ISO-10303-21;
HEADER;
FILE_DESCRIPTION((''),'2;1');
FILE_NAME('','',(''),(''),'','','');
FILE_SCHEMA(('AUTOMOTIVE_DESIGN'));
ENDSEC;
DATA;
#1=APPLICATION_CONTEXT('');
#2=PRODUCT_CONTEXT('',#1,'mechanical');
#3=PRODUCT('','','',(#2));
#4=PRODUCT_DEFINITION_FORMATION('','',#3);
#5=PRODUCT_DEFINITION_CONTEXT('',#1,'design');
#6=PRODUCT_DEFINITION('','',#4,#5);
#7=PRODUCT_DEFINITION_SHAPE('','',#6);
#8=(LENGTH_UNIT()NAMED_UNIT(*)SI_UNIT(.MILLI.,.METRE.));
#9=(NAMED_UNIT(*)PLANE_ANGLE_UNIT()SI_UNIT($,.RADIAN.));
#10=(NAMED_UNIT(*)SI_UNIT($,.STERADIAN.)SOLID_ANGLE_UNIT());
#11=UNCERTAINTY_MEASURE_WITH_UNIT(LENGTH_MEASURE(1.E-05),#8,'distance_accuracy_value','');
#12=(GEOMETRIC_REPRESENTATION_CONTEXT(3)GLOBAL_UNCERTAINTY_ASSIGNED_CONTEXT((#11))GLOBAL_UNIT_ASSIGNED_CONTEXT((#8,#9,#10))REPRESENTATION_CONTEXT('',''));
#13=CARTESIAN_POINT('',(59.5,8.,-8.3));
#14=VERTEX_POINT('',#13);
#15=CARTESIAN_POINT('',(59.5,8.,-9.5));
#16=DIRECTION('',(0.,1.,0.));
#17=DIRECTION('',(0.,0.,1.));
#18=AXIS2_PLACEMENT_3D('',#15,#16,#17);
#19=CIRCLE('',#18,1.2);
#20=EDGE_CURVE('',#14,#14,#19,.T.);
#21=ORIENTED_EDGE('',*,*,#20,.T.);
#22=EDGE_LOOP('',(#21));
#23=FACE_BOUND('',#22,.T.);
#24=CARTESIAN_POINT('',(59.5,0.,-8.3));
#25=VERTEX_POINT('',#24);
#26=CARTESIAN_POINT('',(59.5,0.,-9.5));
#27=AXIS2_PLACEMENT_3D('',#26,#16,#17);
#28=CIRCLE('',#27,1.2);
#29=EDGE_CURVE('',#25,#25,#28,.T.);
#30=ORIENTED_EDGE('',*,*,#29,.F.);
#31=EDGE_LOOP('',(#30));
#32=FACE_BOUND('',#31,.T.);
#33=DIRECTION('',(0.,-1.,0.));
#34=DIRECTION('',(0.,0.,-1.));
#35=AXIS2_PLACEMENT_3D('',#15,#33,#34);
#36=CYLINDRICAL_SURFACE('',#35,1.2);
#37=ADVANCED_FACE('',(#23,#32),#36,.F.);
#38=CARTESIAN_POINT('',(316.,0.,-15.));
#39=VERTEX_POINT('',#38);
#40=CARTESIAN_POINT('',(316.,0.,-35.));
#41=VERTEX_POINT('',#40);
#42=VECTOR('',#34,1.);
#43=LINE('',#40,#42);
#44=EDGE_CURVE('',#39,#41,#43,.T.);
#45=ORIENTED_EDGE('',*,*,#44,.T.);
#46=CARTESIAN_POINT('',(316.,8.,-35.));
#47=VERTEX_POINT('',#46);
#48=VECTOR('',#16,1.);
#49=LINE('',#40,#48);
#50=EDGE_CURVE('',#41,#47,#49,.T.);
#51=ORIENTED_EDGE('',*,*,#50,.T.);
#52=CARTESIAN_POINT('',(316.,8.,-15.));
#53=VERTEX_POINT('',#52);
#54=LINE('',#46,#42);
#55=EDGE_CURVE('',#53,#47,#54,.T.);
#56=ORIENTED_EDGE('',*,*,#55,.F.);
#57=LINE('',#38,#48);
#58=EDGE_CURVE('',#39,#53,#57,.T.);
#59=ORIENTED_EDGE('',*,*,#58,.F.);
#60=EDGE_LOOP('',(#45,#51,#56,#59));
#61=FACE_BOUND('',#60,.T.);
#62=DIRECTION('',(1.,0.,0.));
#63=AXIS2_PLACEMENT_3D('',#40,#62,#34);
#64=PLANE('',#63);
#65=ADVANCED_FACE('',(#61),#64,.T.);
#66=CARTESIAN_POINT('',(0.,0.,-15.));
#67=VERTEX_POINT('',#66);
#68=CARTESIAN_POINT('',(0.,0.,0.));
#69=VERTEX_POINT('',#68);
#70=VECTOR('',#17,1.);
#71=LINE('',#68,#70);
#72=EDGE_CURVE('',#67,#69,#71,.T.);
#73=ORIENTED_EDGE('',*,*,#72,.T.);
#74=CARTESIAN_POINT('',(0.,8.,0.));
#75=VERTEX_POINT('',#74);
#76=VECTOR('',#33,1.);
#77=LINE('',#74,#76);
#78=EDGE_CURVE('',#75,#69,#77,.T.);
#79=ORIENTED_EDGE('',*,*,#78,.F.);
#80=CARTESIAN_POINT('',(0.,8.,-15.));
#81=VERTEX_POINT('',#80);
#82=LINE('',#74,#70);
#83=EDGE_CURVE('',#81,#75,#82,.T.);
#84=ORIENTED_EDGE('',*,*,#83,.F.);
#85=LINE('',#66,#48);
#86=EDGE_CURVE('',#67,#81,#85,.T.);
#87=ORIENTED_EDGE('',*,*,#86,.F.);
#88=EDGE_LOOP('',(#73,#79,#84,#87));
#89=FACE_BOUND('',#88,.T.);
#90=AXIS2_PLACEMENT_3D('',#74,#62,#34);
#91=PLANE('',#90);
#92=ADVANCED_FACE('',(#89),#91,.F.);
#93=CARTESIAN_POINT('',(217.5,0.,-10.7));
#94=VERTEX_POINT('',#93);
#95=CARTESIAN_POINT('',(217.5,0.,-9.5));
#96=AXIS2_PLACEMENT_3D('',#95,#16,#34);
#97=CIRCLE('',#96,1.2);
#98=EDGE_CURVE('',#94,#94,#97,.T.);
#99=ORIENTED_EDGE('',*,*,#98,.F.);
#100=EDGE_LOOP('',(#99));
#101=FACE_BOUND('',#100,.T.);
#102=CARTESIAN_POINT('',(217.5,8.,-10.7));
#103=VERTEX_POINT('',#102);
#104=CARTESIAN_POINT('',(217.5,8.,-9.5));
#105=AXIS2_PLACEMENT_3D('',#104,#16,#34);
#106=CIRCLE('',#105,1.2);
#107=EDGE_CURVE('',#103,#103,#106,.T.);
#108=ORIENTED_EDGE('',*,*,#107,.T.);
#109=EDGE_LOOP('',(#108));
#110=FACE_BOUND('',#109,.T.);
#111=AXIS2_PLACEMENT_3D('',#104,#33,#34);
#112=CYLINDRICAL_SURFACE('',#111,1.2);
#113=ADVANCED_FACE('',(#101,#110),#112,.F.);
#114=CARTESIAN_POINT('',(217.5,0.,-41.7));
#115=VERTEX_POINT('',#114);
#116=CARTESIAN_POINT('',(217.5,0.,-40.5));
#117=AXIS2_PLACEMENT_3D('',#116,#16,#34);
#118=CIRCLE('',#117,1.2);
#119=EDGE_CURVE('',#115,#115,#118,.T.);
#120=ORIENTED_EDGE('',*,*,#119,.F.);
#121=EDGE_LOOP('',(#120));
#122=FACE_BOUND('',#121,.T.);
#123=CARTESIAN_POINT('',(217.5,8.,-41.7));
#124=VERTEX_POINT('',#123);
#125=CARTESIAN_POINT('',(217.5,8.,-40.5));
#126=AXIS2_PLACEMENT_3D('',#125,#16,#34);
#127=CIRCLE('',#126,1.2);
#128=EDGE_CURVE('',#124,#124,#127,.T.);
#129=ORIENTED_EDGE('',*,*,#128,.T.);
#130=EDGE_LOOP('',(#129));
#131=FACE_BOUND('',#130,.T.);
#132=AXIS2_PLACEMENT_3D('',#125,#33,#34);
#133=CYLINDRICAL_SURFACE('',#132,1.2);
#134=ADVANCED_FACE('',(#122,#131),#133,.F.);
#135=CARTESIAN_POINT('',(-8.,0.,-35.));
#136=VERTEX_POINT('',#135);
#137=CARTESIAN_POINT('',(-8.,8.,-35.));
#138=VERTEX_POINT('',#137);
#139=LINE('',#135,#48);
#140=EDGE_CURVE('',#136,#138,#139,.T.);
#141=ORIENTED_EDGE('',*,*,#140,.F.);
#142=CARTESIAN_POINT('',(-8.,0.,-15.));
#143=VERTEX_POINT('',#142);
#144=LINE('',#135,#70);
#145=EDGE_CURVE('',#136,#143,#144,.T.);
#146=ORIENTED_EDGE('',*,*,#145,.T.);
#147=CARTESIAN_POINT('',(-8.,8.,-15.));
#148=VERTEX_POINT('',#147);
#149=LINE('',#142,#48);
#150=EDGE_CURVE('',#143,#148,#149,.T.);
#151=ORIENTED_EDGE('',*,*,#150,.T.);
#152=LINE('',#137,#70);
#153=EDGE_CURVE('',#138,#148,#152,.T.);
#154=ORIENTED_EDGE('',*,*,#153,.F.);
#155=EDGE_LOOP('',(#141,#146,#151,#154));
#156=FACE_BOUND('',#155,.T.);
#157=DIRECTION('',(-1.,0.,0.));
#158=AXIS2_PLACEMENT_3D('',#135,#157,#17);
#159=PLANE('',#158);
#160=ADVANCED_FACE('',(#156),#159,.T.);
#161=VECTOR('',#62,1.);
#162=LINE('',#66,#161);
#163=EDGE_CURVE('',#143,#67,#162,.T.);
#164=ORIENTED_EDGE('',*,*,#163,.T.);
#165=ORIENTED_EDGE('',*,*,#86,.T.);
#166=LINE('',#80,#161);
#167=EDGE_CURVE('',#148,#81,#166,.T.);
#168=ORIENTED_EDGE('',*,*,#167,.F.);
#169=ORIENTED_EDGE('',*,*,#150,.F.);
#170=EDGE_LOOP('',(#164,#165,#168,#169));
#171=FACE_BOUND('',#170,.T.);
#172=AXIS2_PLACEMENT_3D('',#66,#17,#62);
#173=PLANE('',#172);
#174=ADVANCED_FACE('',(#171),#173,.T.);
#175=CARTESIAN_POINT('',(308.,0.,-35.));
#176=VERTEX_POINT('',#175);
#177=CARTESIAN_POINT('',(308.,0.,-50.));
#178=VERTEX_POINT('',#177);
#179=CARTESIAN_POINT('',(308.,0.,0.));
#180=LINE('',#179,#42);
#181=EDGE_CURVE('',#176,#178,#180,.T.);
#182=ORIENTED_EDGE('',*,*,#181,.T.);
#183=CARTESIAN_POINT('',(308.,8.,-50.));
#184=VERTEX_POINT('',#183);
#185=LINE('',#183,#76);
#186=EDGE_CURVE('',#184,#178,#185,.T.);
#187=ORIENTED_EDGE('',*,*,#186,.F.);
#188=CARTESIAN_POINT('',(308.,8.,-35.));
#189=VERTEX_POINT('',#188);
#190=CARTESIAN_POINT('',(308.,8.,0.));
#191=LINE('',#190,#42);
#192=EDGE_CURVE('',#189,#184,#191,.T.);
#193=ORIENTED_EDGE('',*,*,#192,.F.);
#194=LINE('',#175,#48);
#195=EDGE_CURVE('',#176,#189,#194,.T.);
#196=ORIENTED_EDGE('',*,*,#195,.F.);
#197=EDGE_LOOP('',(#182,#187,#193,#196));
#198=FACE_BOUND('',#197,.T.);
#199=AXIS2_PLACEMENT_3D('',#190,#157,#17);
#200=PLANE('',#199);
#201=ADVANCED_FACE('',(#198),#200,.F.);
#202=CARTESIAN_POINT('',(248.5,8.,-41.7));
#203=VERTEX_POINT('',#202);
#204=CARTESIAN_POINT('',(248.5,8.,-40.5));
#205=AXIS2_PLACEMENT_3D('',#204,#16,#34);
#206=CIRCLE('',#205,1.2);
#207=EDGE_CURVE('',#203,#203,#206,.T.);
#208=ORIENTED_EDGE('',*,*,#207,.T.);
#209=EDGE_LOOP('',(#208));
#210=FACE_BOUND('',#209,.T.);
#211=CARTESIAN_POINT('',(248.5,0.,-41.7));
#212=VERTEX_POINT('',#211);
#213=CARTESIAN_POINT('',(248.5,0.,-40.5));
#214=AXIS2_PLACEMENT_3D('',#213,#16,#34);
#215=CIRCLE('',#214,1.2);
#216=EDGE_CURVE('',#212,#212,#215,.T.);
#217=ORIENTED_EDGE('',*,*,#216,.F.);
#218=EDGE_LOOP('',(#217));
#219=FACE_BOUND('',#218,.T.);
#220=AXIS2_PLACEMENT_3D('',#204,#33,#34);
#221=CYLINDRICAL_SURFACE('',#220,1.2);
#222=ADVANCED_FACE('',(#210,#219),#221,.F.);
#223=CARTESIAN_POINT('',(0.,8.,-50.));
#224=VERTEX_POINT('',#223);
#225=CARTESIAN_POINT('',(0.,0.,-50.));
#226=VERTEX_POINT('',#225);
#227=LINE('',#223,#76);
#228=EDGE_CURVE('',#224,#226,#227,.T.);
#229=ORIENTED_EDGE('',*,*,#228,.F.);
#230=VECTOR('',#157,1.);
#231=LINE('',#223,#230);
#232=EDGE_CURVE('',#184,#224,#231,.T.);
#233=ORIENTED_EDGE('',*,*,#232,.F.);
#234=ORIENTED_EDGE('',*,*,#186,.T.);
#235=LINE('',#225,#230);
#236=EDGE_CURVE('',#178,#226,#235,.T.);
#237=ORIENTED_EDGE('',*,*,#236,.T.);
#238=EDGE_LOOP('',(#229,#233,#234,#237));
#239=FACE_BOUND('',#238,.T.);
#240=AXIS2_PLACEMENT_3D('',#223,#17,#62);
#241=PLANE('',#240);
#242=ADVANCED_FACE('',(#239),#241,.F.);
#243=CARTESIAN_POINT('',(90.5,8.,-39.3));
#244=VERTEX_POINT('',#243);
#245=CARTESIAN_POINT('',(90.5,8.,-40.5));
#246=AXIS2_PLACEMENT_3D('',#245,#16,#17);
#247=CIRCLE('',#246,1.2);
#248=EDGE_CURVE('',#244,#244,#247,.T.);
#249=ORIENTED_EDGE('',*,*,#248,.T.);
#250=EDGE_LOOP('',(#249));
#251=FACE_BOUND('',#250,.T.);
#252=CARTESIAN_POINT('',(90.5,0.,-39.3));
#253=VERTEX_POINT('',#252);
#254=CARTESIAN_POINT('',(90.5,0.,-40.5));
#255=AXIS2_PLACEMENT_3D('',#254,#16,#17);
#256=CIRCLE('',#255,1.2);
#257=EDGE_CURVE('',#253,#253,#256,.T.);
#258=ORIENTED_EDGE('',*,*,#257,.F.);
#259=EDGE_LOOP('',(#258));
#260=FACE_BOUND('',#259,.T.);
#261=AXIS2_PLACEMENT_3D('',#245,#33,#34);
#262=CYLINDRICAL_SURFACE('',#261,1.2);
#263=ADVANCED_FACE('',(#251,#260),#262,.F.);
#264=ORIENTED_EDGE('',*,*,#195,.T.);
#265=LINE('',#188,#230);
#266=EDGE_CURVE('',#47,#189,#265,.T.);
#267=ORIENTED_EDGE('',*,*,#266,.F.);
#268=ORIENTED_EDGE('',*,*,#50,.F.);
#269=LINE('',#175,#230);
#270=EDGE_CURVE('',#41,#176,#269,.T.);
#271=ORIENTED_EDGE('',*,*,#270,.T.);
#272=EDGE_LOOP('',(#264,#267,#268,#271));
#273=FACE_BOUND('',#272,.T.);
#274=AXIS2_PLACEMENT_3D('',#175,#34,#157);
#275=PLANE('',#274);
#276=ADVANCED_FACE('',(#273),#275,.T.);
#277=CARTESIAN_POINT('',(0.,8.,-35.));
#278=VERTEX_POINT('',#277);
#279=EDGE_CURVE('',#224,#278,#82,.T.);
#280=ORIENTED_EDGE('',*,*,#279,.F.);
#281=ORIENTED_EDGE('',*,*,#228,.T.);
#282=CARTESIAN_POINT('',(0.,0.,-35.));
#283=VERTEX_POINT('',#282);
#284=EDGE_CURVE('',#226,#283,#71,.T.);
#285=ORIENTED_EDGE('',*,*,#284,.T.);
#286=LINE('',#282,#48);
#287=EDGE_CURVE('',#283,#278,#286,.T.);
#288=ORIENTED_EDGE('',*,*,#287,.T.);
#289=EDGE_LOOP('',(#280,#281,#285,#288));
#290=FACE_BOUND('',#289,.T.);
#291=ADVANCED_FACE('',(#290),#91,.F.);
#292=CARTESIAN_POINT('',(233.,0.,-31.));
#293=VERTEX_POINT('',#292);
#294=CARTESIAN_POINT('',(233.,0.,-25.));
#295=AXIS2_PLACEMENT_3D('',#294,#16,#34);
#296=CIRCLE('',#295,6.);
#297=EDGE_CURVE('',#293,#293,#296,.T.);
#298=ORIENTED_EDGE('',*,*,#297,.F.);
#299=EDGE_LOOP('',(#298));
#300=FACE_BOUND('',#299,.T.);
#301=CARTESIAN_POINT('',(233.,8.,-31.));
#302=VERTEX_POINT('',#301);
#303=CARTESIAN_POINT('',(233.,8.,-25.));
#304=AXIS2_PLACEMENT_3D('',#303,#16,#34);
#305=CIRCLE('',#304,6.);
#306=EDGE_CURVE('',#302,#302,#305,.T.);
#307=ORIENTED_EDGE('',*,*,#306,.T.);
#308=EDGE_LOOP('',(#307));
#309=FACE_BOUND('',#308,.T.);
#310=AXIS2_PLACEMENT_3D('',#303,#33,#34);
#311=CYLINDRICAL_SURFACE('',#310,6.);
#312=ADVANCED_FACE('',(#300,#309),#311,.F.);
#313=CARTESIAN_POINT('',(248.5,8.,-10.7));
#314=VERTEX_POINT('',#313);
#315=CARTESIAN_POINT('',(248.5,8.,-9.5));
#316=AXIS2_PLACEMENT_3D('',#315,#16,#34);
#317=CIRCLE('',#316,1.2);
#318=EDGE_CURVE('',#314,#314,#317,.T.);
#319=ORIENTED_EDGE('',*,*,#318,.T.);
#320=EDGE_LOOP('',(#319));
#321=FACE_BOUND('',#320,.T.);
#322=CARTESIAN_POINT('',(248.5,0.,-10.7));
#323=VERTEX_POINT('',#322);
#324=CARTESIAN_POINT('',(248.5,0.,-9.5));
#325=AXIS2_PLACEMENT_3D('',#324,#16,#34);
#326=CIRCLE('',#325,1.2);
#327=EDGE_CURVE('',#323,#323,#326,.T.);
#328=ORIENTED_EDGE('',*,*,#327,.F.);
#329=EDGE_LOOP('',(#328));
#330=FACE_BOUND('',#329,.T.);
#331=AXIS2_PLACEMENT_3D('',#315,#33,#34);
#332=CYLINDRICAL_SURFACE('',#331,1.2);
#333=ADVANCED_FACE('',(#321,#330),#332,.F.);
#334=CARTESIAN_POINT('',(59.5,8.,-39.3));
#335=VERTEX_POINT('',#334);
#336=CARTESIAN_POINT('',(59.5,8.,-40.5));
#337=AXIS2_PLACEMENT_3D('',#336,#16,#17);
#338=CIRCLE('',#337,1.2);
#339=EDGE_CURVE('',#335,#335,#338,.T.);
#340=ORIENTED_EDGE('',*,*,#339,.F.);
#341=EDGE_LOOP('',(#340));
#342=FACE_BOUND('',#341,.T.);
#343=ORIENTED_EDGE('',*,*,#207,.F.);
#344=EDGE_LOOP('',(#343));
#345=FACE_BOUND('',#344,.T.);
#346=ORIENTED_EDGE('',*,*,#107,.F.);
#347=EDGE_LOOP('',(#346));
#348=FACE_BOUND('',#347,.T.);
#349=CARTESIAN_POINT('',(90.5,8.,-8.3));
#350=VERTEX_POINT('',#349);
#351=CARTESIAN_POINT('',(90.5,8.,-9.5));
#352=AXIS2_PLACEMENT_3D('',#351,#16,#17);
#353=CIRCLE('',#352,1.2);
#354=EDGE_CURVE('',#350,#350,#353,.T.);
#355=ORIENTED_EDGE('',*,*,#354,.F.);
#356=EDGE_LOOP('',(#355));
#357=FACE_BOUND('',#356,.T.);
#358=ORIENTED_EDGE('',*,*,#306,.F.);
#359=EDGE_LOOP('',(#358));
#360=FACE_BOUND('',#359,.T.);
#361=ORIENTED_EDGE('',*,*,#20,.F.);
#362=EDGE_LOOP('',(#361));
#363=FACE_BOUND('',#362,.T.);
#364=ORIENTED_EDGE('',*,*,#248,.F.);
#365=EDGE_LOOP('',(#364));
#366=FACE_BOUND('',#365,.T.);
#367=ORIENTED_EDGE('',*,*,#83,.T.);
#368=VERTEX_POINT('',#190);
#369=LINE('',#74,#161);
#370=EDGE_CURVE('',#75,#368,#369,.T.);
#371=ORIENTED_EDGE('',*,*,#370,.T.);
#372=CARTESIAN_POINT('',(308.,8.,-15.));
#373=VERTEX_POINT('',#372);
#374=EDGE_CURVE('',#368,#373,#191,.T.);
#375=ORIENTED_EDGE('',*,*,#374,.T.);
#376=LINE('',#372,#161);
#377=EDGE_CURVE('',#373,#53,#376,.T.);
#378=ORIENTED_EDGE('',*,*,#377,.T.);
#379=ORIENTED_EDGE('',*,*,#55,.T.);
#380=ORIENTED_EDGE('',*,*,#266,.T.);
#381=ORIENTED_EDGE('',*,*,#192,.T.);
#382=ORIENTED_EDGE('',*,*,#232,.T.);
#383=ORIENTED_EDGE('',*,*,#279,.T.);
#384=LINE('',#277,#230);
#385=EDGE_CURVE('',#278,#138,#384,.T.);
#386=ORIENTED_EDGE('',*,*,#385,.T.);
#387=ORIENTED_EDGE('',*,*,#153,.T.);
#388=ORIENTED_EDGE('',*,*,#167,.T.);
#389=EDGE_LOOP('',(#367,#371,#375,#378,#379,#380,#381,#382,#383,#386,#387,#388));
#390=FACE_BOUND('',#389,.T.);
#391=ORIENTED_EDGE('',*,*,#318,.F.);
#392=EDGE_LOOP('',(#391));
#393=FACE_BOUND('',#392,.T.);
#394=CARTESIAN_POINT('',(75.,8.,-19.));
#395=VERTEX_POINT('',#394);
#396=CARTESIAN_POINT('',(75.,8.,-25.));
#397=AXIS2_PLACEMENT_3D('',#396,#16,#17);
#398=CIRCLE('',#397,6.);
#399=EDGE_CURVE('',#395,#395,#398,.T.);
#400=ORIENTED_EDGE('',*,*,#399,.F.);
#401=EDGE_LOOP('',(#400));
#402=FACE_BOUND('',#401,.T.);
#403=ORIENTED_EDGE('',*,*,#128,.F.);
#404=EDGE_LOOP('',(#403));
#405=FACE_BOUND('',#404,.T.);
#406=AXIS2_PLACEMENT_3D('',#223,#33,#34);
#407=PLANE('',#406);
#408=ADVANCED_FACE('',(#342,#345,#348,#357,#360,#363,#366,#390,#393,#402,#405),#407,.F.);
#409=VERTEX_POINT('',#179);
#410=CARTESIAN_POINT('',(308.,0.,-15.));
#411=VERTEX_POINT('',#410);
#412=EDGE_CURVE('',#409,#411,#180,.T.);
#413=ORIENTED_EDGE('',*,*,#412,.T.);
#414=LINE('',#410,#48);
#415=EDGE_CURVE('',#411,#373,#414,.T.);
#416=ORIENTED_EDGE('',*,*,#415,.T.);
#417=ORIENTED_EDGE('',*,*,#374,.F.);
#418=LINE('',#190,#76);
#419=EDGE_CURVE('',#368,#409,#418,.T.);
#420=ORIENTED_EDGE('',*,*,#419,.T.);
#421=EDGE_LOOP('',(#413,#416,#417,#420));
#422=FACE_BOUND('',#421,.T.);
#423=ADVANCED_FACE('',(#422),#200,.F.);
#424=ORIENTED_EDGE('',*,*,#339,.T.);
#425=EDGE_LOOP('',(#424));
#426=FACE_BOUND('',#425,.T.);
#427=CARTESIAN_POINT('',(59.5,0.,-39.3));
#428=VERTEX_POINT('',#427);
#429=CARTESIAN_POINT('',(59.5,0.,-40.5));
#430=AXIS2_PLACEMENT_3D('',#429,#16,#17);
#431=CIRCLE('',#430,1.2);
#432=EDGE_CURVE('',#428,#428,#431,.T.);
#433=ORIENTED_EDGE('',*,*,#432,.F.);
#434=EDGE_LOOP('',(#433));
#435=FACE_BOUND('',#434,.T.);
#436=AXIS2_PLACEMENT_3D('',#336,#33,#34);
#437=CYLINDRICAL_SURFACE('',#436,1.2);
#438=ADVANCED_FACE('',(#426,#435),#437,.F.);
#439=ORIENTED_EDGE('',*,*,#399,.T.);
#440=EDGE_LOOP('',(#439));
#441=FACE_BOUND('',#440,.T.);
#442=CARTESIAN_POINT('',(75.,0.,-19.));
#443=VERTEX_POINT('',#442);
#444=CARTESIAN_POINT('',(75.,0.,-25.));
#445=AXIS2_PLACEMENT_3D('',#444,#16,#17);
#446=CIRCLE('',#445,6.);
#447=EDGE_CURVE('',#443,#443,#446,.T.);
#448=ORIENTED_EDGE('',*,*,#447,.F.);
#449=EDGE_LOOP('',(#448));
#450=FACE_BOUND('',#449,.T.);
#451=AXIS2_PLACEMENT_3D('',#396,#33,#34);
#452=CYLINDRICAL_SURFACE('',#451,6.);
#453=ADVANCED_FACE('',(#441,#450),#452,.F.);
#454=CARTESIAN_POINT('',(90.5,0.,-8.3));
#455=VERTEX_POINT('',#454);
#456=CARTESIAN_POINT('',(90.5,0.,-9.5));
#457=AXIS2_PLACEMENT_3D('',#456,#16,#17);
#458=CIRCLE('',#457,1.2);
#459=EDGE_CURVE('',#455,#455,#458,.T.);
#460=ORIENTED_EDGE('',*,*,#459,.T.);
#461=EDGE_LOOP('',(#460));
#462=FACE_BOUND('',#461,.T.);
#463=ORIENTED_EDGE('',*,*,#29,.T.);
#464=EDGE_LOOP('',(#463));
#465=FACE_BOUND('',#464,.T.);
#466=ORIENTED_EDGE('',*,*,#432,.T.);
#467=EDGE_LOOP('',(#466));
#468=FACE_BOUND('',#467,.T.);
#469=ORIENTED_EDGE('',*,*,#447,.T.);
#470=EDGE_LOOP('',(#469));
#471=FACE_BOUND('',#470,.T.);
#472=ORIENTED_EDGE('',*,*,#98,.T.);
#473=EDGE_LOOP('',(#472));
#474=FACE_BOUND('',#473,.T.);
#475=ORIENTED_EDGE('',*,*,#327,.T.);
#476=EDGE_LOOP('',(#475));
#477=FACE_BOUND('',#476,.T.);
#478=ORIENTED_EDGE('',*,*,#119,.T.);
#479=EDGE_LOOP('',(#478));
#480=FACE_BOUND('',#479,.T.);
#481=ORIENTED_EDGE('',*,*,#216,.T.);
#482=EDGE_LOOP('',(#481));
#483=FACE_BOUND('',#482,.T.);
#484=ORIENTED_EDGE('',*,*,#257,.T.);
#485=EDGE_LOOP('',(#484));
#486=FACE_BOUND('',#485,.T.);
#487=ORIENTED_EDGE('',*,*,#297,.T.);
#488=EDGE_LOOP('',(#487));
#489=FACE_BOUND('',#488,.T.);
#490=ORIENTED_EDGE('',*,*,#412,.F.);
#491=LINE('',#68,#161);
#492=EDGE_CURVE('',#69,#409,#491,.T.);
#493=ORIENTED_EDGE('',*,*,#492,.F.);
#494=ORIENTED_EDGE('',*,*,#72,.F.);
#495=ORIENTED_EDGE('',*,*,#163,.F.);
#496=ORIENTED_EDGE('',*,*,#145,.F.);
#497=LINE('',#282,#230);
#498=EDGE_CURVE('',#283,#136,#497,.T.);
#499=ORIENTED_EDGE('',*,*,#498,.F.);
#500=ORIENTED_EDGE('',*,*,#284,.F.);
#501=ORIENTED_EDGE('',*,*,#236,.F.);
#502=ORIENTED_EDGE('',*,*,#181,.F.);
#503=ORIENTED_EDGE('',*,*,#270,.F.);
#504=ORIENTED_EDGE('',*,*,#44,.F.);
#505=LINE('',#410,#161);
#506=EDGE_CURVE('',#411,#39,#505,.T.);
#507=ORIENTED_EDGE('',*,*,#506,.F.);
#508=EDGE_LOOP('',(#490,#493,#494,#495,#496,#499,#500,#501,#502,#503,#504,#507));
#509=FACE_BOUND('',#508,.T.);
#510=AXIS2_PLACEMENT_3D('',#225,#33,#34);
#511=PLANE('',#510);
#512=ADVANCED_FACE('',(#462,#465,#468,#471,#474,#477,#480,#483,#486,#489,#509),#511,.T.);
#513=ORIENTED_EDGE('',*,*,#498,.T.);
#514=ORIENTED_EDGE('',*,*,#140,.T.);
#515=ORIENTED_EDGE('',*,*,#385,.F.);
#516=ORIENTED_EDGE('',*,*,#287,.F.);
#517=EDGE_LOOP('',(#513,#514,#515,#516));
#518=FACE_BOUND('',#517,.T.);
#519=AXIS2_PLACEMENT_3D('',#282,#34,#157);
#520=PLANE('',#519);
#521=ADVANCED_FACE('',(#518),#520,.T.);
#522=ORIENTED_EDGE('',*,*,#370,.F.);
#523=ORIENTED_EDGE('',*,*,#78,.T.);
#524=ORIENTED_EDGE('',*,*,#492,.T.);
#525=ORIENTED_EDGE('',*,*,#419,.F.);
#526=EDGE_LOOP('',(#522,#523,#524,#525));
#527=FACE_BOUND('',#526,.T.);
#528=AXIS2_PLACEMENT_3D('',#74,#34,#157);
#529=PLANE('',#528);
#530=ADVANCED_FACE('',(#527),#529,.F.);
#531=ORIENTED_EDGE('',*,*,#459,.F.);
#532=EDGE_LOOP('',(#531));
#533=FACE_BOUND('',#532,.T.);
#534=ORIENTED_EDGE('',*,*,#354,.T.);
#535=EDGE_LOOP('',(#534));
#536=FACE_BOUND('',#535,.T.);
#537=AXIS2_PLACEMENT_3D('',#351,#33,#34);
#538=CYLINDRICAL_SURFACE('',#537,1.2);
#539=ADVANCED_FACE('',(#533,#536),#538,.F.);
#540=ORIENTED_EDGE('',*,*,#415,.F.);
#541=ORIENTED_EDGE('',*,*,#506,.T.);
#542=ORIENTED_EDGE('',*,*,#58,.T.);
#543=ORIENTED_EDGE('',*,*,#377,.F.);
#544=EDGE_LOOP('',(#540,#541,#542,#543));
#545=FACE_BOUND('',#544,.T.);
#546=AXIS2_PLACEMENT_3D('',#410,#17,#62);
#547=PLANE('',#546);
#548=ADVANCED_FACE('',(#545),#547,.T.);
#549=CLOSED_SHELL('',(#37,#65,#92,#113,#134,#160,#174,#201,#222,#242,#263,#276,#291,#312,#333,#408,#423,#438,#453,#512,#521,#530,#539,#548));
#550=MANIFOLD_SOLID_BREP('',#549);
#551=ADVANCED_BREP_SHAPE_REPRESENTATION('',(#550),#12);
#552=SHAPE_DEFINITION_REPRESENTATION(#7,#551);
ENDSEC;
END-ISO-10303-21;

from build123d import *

# Parameters (mm, degrees)
SKETCH1_W           = 308
SKETCH1_H           = 50
SKETCH1_R           = 6
SKETCH1_R_2         = 1.2
BOSS_EXTRUDE1_DEPTH = 8
SKETCH2_W           = 8
SKETCH2_H           = 20
BOSS_EXTRUDE2_DEPTH = 8


with BuildPart() as part:
    # Sketch1 → Boss-Extrude1 (new body)
    with BuildSketch(Plane(origin=(0, 0, 0), x_dir=(1, 0, 0), z_dir=(0, 1, 0))):
        with Locations((154, 25)):
            Rectangle(SKETCH1_W, SKETCH1_H)
        with Locations((75, 25)):
            Circle(SKETCH1_R, mode=Mode.SUBTRACT)
        with Locations((59.5, 40.5)):
            Circle(SKETCH1_R_2, mode=Mode.SUBTRACT)
        with Locations((90.5, 40.5)):
            Circle(SKETCH1_R_2, mode=Mode.SUBTRACT)
        with Locations((59.5, 9.5)):
            Circle(SKETCH1_R_2, mode=Mode.SUBTRACT)
        with Locations((90.5, 9.5)):
            Circle(SKETCH1_R_2, mode=Mode.SUBTRACT)
        with Locations((217.5, 9.5)):
            Circle(SKETCH1_R_2, mode=Mode.SUBTRACT)
        with Locations((248.5, 9.5)):
            Circle(SKETCH1_R_2, mode=Mode.SUBTRACT)
        with Locations((217.5, 40.5)):
            Circle(SKETCH1_R_2, mode=Mode.SUBTRACT)
        with Locations((233, 25)):
            Circle(SKETCH1_R, mode=Mode.SUBTRACT)
        with Locations((248.5, 40.5)):
            Circle(SKETCH1_R_2, mode=Mode.SUBTRACT)
    extrude(amount=BOSS_EXTRUDE1_DEPTH)

    # Sketch2 → Boss-Extrude2 (add)
    with BuildSketch(Plane(origin=(0, 8, 0), x_dir=(-1, 0, 0), z_dir=(0, 1, 0))):
        with Locations((4, -25)):
            Rectangle(SKETCH2_W, SKETCH2_H)
        with Locations((-312, -25)):
            Rectangle(SKETCH2_W, SKETCH2_H)
    extrude(amount=-BOSS_EXTRUDE2_DEPTH)


solid = part.part
